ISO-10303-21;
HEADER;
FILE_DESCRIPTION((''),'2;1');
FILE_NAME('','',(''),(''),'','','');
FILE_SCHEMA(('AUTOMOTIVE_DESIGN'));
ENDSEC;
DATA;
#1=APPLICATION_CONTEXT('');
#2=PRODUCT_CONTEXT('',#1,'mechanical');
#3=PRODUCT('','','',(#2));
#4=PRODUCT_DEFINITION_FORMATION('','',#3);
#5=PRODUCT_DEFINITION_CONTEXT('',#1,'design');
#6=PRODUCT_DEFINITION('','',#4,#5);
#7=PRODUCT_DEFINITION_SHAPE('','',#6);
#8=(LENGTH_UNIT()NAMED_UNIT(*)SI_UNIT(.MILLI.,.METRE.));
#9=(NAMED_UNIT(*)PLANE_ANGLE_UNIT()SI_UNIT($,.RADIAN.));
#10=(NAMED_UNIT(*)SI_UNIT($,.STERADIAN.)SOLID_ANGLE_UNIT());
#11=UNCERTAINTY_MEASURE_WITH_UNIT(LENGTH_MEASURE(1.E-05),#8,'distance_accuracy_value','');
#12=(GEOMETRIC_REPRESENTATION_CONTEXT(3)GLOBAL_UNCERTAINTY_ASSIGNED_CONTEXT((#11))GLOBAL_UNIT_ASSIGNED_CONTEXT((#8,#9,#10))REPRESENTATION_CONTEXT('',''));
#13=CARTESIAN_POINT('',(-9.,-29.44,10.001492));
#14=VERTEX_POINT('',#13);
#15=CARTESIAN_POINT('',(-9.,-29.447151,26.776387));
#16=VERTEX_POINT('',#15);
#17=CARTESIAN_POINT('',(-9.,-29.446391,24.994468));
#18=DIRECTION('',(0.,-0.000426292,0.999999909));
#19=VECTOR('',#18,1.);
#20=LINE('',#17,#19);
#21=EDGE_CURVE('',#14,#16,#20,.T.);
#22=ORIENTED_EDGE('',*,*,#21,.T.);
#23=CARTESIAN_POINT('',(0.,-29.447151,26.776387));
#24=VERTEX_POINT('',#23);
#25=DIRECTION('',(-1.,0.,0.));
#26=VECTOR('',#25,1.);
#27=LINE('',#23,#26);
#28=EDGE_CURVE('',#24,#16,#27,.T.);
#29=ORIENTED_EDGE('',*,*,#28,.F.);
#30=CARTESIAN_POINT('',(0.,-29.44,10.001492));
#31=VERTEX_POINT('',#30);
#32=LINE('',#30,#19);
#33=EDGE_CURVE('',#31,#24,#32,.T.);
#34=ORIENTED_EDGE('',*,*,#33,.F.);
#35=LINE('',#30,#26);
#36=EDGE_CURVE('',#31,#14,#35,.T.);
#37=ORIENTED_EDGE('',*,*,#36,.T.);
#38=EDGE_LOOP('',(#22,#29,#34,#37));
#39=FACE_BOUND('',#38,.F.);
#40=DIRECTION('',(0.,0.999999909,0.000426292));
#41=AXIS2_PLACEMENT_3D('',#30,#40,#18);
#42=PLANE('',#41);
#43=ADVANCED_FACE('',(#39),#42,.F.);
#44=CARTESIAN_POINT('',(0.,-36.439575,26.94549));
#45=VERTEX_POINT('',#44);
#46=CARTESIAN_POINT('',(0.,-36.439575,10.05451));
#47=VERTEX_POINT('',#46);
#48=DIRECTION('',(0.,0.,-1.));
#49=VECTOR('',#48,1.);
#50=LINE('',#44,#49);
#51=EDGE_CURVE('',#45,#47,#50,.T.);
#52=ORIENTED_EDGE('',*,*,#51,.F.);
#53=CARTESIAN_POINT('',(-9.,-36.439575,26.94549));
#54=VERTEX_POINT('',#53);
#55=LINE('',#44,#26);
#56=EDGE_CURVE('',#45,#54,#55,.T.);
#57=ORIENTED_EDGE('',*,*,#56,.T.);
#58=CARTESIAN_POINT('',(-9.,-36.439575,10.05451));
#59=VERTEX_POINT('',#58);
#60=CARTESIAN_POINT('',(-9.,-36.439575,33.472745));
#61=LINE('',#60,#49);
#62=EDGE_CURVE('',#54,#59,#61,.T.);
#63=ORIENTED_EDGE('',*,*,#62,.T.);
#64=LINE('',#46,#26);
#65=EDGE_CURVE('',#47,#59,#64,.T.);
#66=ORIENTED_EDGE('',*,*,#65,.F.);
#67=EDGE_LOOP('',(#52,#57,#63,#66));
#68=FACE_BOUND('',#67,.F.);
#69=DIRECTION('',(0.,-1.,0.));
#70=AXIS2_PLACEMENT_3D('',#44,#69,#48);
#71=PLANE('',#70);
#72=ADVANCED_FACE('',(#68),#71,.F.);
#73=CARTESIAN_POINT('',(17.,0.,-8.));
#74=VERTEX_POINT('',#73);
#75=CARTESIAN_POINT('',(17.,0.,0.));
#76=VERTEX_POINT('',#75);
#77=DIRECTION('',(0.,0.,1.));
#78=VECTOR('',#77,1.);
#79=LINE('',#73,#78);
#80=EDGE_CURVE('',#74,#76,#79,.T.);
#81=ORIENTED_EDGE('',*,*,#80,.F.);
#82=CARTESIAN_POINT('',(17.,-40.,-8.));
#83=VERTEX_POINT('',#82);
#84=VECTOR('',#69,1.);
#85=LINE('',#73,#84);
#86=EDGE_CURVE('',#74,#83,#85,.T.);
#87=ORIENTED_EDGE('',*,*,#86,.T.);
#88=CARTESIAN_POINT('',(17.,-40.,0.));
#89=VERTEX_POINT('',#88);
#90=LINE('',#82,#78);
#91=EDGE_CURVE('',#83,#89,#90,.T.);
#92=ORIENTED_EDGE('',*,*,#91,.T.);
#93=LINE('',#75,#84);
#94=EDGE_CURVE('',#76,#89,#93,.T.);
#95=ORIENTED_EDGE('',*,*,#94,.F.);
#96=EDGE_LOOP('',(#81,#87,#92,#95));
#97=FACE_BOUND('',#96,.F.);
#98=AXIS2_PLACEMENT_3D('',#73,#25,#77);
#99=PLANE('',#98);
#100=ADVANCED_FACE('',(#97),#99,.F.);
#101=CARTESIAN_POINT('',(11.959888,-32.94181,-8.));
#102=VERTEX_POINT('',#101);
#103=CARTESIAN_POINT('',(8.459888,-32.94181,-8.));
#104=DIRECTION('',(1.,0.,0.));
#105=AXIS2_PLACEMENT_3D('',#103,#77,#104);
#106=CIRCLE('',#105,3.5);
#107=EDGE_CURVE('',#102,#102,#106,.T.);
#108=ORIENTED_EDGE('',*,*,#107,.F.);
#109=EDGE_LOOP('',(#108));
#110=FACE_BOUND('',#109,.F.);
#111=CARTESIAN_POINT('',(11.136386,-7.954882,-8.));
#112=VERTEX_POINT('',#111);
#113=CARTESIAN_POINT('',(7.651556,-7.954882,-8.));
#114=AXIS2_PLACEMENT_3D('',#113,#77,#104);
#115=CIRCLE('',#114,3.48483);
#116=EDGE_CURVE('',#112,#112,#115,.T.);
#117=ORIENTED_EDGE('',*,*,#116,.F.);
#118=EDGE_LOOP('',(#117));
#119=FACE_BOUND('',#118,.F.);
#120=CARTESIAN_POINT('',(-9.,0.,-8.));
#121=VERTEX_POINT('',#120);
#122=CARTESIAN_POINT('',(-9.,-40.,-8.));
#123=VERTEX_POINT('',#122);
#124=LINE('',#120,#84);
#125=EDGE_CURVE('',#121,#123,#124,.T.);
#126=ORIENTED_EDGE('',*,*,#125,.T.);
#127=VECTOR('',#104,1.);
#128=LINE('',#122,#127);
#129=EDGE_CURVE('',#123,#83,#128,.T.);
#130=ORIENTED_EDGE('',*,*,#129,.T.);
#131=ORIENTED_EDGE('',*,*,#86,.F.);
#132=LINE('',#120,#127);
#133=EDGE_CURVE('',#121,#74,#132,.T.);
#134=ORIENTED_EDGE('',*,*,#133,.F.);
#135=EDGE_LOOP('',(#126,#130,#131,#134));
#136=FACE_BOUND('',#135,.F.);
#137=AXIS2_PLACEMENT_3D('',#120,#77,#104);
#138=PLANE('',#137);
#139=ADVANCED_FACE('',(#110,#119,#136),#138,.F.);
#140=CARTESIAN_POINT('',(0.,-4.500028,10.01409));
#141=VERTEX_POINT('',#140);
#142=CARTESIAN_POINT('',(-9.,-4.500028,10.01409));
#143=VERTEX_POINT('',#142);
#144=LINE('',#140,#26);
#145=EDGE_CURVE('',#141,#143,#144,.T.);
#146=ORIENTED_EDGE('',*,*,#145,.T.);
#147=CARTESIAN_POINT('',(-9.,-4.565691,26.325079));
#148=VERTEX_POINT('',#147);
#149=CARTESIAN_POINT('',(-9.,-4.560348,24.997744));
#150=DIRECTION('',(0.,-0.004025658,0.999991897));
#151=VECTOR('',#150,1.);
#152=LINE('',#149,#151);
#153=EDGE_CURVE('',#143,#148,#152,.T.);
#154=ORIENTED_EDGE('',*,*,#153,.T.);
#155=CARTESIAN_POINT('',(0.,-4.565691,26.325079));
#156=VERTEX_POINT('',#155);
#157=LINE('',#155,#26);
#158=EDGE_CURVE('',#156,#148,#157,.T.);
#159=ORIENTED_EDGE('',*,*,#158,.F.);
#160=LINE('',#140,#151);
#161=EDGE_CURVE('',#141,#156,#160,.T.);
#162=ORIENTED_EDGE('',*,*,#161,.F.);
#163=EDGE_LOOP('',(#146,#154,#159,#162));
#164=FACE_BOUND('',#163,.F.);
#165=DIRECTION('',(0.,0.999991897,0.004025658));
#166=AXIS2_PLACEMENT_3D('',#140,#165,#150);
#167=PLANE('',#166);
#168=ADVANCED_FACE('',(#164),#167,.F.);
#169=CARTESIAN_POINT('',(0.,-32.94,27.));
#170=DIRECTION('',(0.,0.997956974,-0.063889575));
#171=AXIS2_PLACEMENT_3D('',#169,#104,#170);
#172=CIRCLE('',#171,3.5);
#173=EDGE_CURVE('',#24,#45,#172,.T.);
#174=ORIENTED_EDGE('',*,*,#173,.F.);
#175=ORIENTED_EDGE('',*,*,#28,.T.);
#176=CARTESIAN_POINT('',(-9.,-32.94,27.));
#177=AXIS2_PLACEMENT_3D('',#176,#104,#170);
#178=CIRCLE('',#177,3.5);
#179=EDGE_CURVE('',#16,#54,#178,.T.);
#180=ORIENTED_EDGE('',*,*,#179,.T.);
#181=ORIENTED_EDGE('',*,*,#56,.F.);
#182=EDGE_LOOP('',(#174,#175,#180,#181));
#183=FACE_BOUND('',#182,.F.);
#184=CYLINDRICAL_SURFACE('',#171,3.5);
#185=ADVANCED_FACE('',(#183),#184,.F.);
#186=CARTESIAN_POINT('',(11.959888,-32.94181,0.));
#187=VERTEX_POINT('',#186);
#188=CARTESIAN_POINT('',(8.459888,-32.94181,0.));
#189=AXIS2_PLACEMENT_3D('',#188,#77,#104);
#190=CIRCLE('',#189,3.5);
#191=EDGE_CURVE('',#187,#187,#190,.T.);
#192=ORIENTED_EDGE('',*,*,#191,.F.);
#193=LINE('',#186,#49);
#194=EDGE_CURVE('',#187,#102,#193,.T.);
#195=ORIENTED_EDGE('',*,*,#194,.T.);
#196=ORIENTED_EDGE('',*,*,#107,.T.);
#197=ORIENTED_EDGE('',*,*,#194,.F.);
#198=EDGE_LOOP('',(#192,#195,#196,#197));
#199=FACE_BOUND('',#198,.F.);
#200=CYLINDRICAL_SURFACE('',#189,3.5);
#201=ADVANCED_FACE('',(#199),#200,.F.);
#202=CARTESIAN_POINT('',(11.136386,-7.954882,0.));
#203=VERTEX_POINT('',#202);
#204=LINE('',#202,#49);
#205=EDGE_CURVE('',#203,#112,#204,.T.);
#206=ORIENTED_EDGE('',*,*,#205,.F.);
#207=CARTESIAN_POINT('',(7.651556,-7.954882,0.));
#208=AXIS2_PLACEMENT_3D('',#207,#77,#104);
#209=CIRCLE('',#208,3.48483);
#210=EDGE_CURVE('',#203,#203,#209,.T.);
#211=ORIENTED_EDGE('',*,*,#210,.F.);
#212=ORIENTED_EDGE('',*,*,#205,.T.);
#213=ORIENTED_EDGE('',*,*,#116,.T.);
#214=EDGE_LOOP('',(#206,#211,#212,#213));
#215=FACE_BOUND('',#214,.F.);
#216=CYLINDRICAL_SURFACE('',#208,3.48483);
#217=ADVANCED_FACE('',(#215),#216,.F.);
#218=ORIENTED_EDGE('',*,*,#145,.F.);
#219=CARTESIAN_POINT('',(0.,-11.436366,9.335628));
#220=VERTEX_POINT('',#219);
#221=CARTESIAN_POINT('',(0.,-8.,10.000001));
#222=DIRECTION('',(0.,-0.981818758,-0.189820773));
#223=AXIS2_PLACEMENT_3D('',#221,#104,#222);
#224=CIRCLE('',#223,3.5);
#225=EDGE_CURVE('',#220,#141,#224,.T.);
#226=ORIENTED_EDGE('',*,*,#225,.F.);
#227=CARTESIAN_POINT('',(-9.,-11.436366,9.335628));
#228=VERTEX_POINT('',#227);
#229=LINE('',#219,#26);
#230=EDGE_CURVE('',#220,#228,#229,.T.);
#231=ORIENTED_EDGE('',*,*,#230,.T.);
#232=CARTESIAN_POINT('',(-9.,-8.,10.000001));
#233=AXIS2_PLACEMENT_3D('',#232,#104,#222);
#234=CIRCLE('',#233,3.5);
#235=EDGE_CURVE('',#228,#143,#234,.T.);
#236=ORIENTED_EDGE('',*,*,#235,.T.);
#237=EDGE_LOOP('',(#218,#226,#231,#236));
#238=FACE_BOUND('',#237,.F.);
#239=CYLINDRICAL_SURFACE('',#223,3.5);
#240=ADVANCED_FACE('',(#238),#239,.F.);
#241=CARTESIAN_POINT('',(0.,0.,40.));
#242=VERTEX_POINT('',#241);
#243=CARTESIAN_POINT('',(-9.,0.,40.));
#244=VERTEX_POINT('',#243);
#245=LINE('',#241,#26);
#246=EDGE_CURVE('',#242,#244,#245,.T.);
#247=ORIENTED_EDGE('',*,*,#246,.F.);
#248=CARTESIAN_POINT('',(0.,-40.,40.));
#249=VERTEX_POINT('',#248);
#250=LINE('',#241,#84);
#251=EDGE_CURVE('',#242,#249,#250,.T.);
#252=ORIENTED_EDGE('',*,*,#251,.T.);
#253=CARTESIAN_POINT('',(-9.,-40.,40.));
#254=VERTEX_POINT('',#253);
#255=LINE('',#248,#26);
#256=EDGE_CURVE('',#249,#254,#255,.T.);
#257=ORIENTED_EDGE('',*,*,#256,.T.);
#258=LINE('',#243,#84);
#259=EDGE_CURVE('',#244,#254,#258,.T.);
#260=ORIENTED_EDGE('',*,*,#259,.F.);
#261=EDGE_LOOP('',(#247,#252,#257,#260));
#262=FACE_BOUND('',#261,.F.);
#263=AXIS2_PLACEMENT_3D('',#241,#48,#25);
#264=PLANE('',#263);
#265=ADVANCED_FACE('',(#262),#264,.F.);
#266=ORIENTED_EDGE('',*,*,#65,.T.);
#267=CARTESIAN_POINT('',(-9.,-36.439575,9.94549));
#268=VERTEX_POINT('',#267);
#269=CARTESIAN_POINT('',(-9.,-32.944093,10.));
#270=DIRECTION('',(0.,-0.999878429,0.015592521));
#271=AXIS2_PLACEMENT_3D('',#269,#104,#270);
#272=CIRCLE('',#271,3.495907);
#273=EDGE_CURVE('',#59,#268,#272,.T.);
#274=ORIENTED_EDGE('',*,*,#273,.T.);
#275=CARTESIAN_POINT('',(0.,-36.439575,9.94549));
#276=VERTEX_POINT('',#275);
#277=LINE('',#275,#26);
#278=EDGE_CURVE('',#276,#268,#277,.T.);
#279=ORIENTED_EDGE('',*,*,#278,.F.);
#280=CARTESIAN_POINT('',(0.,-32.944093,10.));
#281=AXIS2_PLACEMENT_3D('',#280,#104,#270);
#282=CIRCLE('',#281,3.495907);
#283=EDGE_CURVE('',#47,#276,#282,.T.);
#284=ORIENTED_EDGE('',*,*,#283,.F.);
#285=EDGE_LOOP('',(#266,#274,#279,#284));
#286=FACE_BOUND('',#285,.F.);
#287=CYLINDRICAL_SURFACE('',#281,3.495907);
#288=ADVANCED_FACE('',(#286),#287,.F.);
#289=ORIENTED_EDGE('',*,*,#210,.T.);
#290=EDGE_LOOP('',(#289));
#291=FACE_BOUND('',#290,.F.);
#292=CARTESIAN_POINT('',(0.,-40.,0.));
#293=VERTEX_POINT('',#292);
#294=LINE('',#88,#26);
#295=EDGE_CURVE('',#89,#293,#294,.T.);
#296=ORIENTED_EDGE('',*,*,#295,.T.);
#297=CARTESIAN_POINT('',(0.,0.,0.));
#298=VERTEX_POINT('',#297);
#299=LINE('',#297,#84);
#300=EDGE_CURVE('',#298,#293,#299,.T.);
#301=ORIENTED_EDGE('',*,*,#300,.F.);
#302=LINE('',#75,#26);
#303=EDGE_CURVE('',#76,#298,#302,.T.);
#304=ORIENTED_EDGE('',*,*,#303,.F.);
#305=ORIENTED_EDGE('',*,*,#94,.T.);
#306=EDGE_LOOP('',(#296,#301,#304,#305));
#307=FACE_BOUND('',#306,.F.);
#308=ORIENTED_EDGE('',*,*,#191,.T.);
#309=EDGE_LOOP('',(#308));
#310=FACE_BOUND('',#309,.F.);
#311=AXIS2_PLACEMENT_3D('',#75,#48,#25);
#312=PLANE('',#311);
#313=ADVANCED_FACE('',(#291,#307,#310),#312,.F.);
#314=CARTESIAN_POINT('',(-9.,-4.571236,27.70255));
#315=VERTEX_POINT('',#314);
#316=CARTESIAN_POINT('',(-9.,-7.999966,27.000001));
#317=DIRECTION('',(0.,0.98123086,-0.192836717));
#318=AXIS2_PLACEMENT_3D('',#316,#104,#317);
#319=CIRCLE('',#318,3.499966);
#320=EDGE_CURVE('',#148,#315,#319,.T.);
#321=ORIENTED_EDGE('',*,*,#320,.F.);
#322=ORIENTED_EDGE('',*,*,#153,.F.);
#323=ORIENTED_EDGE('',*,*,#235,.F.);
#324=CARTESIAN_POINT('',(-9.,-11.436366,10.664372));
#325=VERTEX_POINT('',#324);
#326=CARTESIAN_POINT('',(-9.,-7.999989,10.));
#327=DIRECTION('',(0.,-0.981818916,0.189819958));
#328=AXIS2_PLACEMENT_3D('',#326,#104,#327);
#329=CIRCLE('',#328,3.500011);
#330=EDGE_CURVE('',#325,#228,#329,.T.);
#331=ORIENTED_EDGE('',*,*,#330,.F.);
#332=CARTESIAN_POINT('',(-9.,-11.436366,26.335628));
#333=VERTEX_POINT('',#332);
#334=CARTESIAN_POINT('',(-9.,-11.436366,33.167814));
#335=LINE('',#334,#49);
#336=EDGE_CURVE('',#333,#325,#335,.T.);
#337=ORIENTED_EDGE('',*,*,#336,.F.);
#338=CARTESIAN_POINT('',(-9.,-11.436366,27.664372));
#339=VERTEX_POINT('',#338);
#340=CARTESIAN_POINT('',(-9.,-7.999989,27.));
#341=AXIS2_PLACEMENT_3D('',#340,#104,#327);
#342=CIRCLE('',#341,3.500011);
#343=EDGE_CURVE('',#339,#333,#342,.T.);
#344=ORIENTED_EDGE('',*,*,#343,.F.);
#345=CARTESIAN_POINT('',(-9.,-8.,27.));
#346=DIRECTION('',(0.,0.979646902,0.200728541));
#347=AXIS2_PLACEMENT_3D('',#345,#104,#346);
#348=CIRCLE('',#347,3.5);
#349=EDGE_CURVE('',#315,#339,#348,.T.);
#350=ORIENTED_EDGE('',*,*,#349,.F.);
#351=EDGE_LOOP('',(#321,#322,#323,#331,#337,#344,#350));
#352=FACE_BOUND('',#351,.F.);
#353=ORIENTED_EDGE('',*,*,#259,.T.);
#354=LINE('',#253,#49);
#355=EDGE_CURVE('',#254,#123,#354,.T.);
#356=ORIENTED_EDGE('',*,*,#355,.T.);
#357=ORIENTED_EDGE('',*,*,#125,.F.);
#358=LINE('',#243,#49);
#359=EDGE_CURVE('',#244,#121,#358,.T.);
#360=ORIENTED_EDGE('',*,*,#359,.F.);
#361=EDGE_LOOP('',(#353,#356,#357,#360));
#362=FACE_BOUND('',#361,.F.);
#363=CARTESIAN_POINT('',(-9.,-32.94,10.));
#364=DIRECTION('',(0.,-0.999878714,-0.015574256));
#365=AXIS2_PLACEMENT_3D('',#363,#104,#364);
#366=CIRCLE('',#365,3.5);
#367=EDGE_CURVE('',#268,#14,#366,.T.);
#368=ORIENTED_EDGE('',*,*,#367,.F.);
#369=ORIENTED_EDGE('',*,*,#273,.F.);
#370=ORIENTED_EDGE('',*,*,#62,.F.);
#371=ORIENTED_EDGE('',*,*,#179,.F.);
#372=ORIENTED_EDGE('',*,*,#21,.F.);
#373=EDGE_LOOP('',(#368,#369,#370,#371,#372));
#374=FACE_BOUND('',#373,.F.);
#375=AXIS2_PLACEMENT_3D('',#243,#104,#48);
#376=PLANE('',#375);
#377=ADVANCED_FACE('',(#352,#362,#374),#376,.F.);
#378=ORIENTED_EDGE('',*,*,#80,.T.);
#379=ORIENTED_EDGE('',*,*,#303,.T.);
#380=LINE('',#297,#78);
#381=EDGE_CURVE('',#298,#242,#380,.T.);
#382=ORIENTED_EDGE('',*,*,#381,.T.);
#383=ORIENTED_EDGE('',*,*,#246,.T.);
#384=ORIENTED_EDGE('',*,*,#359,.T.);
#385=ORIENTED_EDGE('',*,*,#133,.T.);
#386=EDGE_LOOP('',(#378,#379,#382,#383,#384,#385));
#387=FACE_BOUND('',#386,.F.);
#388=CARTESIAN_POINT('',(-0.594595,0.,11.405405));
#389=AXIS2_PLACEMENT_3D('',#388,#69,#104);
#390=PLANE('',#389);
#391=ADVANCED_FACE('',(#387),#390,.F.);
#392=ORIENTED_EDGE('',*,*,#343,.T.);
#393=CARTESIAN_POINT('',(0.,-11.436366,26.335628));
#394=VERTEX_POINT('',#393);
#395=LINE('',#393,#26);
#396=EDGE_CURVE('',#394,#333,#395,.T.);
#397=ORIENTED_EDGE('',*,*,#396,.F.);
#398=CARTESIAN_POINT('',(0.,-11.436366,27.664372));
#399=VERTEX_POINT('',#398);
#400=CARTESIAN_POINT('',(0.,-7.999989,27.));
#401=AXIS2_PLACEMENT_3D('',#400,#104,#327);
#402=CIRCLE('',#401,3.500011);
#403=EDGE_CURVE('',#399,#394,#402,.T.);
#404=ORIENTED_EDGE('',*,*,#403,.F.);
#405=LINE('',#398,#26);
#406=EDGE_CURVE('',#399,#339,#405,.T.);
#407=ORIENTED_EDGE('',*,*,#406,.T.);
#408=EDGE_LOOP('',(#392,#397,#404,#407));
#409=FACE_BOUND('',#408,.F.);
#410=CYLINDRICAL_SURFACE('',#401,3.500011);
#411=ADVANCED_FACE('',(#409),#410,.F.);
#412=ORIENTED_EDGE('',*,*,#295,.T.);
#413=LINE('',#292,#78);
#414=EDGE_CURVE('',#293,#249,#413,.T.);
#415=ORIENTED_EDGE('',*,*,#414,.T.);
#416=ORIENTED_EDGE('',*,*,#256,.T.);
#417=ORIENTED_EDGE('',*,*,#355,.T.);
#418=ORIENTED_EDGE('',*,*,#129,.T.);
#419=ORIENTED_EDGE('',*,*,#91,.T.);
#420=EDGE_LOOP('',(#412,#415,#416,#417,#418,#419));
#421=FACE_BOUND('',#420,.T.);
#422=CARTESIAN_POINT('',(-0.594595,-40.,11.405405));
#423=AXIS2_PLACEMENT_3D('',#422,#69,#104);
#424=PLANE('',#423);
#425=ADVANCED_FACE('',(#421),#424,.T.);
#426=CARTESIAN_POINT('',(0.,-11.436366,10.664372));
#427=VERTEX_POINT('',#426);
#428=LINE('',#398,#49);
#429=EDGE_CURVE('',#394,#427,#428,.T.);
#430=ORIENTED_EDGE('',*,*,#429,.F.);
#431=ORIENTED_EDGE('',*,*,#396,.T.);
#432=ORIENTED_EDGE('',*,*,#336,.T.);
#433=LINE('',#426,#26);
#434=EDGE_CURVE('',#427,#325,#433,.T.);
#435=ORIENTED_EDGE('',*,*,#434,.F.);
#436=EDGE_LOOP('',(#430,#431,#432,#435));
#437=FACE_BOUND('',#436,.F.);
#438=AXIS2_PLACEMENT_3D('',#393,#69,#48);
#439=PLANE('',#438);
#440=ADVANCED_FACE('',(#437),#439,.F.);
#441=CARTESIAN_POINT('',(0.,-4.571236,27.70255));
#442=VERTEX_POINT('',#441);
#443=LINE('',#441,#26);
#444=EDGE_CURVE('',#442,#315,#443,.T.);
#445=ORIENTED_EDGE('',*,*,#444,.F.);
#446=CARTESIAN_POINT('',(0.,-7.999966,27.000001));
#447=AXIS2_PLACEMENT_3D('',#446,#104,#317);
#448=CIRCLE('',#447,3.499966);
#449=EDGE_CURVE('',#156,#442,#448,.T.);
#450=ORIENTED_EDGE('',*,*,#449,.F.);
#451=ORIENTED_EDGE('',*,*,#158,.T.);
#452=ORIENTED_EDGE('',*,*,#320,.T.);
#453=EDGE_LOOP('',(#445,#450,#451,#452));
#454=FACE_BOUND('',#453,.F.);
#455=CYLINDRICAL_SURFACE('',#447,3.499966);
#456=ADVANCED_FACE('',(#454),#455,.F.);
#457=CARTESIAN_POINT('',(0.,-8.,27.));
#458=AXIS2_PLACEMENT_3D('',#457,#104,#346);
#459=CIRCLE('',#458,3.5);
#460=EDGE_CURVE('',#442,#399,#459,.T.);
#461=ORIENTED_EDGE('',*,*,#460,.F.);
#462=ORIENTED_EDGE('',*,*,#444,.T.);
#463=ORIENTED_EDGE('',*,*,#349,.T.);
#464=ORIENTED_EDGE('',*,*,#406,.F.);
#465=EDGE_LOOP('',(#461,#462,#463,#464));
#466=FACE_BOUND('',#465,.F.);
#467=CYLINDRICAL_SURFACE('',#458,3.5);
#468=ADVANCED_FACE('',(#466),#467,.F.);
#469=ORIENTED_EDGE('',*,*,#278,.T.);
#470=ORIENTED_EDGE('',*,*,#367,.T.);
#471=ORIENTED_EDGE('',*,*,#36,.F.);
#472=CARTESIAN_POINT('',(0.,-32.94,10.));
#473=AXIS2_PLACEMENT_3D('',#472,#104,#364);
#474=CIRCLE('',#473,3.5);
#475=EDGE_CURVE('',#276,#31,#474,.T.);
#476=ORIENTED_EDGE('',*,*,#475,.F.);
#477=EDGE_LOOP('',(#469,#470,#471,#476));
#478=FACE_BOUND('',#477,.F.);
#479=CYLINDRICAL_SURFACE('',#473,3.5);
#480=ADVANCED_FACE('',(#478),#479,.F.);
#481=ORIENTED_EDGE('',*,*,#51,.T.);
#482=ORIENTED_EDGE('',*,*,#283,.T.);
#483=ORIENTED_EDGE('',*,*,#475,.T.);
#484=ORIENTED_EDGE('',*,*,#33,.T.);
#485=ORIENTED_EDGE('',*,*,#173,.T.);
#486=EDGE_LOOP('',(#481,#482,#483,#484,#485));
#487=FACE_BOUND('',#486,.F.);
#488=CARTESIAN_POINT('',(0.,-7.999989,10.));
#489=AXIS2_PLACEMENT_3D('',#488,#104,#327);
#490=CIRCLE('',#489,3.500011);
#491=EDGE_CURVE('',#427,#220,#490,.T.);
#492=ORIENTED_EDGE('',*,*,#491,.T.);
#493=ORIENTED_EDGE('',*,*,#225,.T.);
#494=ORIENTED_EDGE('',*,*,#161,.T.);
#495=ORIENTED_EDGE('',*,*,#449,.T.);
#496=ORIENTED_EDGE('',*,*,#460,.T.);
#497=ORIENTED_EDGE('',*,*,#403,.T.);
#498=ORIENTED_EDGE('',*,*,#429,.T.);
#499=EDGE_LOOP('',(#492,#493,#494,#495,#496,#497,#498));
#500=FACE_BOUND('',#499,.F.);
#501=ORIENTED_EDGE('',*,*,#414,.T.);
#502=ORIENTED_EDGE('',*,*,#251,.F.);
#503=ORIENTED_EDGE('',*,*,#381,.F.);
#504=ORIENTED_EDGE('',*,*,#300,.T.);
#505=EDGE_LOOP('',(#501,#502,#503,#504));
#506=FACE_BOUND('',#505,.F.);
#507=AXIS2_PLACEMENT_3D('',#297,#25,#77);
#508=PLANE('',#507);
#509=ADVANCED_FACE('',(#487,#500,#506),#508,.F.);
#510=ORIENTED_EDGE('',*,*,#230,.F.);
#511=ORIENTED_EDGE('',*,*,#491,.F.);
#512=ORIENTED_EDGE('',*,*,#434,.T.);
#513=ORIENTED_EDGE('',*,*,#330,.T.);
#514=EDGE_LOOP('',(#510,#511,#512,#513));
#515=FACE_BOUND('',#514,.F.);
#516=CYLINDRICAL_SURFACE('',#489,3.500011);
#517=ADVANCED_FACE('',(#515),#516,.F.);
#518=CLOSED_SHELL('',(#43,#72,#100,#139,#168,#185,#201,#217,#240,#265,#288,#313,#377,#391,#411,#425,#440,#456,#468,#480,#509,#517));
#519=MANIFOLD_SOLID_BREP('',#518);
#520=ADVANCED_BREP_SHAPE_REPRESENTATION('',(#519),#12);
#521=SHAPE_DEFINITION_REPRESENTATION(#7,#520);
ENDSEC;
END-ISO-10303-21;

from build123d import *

# Parameters (mm, degrees)
F1_DEPTH = 40
F2_R     = 3.5
F2_R_2   = 3.48483
F3_DEPTH = 25
F5_DEPTH = 25


with BuildPart() as f1:
    # F0 (on Front) → F1 (new body)
    with BuildSketch(Plane.XZ):
        Polygon((0, 0), (0, 40), (-9, 40), (-9, 0), (-9, -8), (17, -8), (17, 0), align=None)
    extrude(amount=F1_DEPTH)

    # F2 (on face) → F3 (cut)
    with BuildSketch(Plane.XY):
        with Locations((8.459888, -32.94181)):
            Circle(F2_R)
        with Locations((7.651556, -7.954882)):
            Circle(F2_R_2)
    extrude(amount=-F3_DEPTH, mode=Mode.SUBTRACT)

    # F4 (on face) → F5 (cut)
    with BuildSketch(Plane.YZ):
        with BuildLine():
            Line((-29.44, 10.001492), (-29.447151, 26.776387))
            ThreePointArc((-29.447151, 26.776387), (-32.855382, 30.498977), (-36.439575, 26.94549))
            Line((-36.439575, 26.94549), (-36.439575, 10.05451))
            Line((-36.439575, 10.05451), (-36.439575, 9.94549))
            ThreePointArc((-36.439575, 9.94549), (-32.911998, 6.500112), (-29.44, 10.001492))
        make_face()
        with BuildLine():
            Line((-36.439575, 9.94549), (-36.439575, 10.05451))
            ThreePointArc((-36.439575, 10.05451), (-36.44, 10), (-36.439575, 9.94549))
        make_face()
        with BuildLine():
            Line((-11.436366, 9.335628), (-11.436366, 10.664372))
            ThreePointArc((-11.436366, 10.664372), (-11.5, 10), (-11.436366, 9.335628))
        make_face()
        with BuildLine():
            Line((-11.436366, 26.335628), (-11.436366, 10.664372))
            Line((-11.436366, 10.664372), (-11.436366, 9.335628))
            ThreePointArc((-11.436366, 9.335628), (-7.659282, 6.516624), (-4.500028, 10.01409))
            Line((-4.500028, 10.01409), (-4.565691, 26.325079))
            Line((-4.565691, 26.325079), (-4.571236, 27.70255))
            ThreePointArc((-4.571236, 27.70255), (-8.019464, 30.499946), (-11.436366, 27.664372))
            Line((-11.436366, 27.664372), (-11.436366, 26.335628))
        make_face()
        with BuildLine():
            ThreePointArc((-11.436366, 27.664372), (-11.5, 27), (-11.436366, 26.335628))
            Line((-11.436366, 26.335628), (-11.436366, 27.664372))
        make_face()
        with BuildLine():
            Line((-4.571236, 27.70255), (-4.565691, 26.325079))
            ThreePointArc((-4.565691, 26.325079), (-4.500028, 27.01409), (-4.571236, 27.70255))
        make_face()
    extrude(amount=-F5_DEPTH, mode=Mode.SUBTRACT)


solid = f1.part
